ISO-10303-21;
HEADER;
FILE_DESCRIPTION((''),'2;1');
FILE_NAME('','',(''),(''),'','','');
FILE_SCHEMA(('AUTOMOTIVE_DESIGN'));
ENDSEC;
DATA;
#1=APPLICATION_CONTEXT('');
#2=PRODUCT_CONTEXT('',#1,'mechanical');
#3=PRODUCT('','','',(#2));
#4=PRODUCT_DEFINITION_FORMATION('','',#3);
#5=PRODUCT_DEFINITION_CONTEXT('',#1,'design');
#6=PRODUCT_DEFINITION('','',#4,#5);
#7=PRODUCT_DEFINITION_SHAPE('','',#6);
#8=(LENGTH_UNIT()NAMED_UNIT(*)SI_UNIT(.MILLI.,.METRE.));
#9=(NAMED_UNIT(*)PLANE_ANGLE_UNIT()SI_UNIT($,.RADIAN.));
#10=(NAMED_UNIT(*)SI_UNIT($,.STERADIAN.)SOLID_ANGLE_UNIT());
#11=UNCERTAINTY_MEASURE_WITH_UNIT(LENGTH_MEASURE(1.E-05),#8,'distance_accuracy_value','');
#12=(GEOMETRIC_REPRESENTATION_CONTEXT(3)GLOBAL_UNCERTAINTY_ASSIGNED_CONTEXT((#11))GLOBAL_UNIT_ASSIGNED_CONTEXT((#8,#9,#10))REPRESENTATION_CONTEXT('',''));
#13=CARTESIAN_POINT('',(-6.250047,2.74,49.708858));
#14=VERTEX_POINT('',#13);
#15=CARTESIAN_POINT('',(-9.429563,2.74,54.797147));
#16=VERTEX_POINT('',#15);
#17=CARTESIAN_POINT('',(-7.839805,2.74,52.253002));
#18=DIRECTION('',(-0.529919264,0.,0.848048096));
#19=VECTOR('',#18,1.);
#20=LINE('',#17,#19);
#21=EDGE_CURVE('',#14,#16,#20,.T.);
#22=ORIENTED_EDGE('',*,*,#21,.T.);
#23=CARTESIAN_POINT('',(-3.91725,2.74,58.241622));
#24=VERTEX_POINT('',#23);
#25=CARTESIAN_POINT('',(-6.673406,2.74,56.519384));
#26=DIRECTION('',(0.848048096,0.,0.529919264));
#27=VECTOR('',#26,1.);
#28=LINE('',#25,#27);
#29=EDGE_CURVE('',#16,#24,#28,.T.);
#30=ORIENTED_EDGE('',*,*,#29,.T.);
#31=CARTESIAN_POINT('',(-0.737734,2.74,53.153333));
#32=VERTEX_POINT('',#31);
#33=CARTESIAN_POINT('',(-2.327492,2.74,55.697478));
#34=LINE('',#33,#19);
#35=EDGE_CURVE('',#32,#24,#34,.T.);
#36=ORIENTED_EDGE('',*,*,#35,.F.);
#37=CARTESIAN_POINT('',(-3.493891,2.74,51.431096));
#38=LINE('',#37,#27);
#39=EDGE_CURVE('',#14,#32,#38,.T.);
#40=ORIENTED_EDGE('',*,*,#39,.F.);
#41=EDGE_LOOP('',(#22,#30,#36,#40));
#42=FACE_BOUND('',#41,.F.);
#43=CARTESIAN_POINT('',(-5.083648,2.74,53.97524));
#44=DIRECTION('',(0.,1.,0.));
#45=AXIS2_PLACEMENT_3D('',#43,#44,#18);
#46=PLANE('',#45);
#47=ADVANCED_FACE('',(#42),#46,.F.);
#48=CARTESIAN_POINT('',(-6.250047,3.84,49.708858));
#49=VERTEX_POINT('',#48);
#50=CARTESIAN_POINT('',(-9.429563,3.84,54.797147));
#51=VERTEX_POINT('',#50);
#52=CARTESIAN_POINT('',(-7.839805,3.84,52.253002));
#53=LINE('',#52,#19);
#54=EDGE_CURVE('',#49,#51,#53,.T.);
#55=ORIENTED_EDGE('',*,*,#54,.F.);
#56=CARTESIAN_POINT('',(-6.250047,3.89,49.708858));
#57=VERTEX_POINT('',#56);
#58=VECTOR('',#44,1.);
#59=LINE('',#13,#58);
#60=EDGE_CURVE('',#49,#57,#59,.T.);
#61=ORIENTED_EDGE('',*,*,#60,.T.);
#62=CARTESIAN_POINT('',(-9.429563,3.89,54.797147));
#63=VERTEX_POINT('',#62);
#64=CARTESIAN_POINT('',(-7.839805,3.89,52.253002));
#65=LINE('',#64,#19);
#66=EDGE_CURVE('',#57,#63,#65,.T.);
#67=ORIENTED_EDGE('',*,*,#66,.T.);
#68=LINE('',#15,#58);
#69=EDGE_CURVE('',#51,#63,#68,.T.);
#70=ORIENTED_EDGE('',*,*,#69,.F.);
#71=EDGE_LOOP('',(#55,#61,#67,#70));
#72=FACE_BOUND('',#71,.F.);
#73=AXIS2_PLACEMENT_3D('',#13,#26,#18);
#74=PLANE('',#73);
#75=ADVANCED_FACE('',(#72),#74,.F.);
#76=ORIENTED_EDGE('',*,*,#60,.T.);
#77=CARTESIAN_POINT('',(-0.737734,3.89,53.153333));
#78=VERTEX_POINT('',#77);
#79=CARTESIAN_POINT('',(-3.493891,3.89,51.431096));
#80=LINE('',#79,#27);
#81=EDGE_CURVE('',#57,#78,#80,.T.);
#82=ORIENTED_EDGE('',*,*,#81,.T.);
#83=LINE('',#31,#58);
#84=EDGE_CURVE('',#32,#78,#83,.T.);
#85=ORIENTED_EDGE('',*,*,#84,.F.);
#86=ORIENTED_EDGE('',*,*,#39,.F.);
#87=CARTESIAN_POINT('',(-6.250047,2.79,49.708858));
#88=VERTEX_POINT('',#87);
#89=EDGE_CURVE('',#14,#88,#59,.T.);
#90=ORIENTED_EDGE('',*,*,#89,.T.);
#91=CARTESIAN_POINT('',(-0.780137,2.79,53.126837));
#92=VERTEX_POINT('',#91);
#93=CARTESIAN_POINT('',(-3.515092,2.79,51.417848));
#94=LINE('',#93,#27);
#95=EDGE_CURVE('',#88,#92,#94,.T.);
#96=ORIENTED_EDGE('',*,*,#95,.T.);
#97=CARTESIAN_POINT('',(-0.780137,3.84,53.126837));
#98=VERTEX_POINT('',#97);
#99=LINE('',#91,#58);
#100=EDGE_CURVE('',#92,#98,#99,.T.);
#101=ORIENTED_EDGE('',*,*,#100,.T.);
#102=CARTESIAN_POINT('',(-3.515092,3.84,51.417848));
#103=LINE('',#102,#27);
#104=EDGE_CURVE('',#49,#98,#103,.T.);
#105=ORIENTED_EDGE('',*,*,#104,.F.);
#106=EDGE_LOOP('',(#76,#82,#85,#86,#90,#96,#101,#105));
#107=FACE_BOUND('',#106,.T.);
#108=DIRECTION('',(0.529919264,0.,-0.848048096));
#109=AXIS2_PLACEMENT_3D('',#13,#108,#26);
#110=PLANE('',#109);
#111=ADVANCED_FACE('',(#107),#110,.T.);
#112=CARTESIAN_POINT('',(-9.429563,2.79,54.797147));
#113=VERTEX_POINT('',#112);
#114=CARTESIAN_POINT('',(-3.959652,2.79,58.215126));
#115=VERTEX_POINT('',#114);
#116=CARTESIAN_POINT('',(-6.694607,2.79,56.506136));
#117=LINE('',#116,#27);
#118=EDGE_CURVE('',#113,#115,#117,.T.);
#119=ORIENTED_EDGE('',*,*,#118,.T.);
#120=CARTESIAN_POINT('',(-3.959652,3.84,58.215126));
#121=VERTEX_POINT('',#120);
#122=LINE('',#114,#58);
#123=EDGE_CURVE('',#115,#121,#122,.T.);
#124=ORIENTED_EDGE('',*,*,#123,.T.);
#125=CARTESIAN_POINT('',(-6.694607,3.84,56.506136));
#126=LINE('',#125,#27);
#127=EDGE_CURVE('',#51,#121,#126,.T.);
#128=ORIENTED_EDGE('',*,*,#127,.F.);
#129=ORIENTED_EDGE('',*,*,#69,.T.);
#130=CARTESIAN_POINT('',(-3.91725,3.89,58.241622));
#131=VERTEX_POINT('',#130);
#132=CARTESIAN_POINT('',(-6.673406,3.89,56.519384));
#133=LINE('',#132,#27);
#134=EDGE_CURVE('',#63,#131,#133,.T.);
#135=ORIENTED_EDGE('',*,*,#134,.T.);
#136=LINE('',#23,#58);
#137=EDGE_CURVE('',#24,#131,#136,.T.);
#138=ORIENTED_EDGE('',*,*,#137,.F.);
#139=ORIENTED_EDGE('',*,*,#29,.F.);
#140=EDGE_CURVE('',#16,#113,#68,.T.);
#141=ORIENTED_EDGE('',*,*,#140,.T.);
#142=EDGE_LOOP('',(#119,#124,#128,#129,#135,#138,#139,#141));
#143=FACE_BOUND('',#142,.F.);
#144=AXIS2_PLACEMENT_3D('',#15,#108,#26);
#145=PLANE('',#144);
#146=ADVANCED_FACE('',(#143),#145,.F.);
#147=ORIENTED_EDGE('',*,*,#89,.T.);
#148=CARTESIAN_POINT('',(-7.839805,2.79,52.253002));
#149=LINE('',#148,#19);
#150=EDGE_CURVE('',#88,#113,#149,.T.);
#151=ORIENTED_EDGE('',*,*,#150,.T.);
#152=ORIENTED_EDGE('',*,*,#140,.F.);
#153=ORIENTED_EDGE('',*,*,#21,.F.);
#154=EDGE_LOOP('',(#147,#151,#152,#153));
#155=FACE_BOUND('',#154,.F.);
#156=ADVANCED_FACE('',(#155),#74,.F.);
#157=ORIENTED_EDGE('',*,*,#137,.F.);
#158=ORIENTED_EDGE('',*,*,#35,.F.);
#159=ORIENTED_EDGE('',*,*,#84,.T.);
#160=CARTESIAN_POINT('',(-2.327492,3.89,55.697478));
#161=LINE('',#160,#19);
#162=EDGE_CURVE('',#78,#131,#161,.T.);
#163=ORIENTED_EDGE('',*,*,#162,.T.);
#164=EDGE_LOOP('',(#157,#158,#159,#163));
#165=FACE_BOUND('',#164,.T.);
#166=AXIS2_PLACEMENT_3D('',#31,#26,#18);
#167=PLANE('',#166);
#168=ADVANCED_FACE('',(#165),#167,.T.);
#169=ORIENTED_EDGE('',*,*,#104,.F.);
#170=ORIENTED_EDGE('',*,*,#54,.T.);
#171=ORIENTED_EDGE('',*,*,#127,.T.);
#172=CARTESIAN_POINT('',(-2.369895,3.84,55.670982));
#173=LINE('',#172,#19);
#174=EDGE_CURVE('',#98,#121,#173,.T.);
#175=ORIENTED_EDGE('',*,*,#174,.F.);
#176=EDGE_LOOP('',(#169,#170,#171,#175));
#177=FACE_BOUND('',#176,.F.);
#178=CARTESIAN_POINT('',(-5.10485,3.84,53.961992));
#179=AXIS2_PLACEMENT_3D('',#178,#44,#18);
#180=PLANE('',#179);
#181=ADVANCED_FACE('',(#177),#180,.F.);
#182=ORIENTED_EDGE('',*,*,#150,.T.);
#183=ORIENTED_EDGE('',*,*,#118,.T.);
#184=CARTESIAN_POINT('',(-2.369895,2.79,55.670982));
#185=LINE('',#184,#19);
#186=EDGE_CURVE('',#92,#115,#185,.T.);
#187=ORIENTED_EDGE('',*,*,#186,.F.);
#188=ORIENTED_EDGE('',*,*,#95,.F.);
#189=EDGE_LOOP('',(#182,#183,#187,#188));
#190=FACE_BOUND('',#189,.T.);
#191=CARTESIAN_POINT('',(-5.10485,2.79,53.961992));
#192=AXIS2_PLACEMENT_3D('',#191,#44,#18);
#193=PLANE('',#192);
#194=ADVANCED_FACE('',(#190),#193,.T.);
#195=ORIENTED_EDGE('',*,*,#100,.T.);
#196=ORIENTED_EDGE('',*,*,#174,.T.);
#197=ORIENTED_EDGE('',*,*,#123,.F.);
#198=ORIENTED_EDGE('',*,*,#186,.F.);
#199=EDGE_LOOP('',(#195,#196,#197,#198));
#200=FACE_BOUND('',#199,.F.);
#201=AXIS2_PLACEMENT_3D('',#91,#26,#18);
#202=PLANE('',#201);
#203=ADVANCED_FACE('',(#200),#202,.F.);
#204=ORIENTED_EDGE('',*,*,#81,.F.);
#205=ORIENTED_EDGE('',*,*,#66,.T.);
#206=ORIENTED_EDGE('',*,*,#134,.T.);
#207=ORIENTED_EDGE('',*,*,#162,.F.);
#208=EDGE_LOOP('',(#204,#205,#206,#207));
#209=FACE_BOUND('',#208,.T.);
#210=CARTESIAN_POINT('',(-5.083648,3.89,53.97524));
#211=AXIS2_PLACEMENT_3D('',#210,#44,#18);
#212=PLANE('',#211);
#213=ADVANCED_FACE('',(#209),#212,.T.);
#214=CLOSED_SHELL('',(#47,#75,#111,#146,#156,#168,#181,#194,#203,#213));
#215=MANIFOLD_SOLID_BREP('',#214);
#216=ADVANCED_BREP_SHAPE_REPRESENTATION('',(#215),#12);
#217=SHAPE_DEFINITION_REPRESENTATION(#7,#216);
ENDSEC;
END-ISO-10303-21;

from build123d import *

# Parameters (mm, degrees)
BOX141_W               = 6
BOX141_H               = 6.45
BOX141_DEPTH           = 1.05
BOX140_W               = 6
BOX140_H               = 6.5
BOX140_DEPTH           = 1.15
CUT063_ROLL_ANGLE      = 90
CUT063_PITCH_ANGLE     = -58
CUT063_PLACEMENT_ANGLE = 180


with BuildPart() as small_cu_gnd_electrode056:
    # Box141 → Box141 (new body)
    with BuildSketch(Plane.XY.offset(0.05)):
        with Locations((3, 3.225)):
            Rectangle(BOX141_W, BOX141_H)
    extrude(amount=BOX141_DEPTH)


with BuildPart() as small_cu_electrode002_short_axis_gnd005:
    # Box140 → Box140 (new body)
    with BuildSketch(Plane.XY):
        with Locations((3, 3.25)):
            Rectangle(BOX140_W, BOX140_H)
    extrude(amount=BOX140_DEPTH)

    # Cut063: cut Small Cu GND Electrode056
    add(small_cu_gnd_electrode056.part, mode=Mode.SUBTRACT)


with BuildPart() as small_cu_electrode002_short_axis_gnd005_1:
    # Cut063 roll: moved
    add(small_cu_electrode002_short_axis_gnd005.part.rotate(Axis((0, 0, 0), (1, 0, 0)), CUT063_ROLL_ANGLE))


with BuildPart() as small_cu_electrode002_short_axis_gnd005_2:
    # Cut063 pitch: moved
    add(small_cu_electrode002_short_axis_gnd005_1.part.rotate(Axis((0, 0, 0), (0, 1, 0)), CUT063_PITCH_ANGLE))


with BuildPart() as small_cu_electrode002_short_axis_gnd005_3:
    # Cut063 placement: moved
    add(small_cu_electrode002_short_axis_gnd005_2.part.moved(Location((-6.250047, 2.74, 49.708858))).rotate(Axis((-6.250047, 2.74, 49.708858), (0, 0, 1)), CUT063_PLACEMENT_ANGLE))


solid = small_cu_electrode002_short_axis_gnd005_3.part
